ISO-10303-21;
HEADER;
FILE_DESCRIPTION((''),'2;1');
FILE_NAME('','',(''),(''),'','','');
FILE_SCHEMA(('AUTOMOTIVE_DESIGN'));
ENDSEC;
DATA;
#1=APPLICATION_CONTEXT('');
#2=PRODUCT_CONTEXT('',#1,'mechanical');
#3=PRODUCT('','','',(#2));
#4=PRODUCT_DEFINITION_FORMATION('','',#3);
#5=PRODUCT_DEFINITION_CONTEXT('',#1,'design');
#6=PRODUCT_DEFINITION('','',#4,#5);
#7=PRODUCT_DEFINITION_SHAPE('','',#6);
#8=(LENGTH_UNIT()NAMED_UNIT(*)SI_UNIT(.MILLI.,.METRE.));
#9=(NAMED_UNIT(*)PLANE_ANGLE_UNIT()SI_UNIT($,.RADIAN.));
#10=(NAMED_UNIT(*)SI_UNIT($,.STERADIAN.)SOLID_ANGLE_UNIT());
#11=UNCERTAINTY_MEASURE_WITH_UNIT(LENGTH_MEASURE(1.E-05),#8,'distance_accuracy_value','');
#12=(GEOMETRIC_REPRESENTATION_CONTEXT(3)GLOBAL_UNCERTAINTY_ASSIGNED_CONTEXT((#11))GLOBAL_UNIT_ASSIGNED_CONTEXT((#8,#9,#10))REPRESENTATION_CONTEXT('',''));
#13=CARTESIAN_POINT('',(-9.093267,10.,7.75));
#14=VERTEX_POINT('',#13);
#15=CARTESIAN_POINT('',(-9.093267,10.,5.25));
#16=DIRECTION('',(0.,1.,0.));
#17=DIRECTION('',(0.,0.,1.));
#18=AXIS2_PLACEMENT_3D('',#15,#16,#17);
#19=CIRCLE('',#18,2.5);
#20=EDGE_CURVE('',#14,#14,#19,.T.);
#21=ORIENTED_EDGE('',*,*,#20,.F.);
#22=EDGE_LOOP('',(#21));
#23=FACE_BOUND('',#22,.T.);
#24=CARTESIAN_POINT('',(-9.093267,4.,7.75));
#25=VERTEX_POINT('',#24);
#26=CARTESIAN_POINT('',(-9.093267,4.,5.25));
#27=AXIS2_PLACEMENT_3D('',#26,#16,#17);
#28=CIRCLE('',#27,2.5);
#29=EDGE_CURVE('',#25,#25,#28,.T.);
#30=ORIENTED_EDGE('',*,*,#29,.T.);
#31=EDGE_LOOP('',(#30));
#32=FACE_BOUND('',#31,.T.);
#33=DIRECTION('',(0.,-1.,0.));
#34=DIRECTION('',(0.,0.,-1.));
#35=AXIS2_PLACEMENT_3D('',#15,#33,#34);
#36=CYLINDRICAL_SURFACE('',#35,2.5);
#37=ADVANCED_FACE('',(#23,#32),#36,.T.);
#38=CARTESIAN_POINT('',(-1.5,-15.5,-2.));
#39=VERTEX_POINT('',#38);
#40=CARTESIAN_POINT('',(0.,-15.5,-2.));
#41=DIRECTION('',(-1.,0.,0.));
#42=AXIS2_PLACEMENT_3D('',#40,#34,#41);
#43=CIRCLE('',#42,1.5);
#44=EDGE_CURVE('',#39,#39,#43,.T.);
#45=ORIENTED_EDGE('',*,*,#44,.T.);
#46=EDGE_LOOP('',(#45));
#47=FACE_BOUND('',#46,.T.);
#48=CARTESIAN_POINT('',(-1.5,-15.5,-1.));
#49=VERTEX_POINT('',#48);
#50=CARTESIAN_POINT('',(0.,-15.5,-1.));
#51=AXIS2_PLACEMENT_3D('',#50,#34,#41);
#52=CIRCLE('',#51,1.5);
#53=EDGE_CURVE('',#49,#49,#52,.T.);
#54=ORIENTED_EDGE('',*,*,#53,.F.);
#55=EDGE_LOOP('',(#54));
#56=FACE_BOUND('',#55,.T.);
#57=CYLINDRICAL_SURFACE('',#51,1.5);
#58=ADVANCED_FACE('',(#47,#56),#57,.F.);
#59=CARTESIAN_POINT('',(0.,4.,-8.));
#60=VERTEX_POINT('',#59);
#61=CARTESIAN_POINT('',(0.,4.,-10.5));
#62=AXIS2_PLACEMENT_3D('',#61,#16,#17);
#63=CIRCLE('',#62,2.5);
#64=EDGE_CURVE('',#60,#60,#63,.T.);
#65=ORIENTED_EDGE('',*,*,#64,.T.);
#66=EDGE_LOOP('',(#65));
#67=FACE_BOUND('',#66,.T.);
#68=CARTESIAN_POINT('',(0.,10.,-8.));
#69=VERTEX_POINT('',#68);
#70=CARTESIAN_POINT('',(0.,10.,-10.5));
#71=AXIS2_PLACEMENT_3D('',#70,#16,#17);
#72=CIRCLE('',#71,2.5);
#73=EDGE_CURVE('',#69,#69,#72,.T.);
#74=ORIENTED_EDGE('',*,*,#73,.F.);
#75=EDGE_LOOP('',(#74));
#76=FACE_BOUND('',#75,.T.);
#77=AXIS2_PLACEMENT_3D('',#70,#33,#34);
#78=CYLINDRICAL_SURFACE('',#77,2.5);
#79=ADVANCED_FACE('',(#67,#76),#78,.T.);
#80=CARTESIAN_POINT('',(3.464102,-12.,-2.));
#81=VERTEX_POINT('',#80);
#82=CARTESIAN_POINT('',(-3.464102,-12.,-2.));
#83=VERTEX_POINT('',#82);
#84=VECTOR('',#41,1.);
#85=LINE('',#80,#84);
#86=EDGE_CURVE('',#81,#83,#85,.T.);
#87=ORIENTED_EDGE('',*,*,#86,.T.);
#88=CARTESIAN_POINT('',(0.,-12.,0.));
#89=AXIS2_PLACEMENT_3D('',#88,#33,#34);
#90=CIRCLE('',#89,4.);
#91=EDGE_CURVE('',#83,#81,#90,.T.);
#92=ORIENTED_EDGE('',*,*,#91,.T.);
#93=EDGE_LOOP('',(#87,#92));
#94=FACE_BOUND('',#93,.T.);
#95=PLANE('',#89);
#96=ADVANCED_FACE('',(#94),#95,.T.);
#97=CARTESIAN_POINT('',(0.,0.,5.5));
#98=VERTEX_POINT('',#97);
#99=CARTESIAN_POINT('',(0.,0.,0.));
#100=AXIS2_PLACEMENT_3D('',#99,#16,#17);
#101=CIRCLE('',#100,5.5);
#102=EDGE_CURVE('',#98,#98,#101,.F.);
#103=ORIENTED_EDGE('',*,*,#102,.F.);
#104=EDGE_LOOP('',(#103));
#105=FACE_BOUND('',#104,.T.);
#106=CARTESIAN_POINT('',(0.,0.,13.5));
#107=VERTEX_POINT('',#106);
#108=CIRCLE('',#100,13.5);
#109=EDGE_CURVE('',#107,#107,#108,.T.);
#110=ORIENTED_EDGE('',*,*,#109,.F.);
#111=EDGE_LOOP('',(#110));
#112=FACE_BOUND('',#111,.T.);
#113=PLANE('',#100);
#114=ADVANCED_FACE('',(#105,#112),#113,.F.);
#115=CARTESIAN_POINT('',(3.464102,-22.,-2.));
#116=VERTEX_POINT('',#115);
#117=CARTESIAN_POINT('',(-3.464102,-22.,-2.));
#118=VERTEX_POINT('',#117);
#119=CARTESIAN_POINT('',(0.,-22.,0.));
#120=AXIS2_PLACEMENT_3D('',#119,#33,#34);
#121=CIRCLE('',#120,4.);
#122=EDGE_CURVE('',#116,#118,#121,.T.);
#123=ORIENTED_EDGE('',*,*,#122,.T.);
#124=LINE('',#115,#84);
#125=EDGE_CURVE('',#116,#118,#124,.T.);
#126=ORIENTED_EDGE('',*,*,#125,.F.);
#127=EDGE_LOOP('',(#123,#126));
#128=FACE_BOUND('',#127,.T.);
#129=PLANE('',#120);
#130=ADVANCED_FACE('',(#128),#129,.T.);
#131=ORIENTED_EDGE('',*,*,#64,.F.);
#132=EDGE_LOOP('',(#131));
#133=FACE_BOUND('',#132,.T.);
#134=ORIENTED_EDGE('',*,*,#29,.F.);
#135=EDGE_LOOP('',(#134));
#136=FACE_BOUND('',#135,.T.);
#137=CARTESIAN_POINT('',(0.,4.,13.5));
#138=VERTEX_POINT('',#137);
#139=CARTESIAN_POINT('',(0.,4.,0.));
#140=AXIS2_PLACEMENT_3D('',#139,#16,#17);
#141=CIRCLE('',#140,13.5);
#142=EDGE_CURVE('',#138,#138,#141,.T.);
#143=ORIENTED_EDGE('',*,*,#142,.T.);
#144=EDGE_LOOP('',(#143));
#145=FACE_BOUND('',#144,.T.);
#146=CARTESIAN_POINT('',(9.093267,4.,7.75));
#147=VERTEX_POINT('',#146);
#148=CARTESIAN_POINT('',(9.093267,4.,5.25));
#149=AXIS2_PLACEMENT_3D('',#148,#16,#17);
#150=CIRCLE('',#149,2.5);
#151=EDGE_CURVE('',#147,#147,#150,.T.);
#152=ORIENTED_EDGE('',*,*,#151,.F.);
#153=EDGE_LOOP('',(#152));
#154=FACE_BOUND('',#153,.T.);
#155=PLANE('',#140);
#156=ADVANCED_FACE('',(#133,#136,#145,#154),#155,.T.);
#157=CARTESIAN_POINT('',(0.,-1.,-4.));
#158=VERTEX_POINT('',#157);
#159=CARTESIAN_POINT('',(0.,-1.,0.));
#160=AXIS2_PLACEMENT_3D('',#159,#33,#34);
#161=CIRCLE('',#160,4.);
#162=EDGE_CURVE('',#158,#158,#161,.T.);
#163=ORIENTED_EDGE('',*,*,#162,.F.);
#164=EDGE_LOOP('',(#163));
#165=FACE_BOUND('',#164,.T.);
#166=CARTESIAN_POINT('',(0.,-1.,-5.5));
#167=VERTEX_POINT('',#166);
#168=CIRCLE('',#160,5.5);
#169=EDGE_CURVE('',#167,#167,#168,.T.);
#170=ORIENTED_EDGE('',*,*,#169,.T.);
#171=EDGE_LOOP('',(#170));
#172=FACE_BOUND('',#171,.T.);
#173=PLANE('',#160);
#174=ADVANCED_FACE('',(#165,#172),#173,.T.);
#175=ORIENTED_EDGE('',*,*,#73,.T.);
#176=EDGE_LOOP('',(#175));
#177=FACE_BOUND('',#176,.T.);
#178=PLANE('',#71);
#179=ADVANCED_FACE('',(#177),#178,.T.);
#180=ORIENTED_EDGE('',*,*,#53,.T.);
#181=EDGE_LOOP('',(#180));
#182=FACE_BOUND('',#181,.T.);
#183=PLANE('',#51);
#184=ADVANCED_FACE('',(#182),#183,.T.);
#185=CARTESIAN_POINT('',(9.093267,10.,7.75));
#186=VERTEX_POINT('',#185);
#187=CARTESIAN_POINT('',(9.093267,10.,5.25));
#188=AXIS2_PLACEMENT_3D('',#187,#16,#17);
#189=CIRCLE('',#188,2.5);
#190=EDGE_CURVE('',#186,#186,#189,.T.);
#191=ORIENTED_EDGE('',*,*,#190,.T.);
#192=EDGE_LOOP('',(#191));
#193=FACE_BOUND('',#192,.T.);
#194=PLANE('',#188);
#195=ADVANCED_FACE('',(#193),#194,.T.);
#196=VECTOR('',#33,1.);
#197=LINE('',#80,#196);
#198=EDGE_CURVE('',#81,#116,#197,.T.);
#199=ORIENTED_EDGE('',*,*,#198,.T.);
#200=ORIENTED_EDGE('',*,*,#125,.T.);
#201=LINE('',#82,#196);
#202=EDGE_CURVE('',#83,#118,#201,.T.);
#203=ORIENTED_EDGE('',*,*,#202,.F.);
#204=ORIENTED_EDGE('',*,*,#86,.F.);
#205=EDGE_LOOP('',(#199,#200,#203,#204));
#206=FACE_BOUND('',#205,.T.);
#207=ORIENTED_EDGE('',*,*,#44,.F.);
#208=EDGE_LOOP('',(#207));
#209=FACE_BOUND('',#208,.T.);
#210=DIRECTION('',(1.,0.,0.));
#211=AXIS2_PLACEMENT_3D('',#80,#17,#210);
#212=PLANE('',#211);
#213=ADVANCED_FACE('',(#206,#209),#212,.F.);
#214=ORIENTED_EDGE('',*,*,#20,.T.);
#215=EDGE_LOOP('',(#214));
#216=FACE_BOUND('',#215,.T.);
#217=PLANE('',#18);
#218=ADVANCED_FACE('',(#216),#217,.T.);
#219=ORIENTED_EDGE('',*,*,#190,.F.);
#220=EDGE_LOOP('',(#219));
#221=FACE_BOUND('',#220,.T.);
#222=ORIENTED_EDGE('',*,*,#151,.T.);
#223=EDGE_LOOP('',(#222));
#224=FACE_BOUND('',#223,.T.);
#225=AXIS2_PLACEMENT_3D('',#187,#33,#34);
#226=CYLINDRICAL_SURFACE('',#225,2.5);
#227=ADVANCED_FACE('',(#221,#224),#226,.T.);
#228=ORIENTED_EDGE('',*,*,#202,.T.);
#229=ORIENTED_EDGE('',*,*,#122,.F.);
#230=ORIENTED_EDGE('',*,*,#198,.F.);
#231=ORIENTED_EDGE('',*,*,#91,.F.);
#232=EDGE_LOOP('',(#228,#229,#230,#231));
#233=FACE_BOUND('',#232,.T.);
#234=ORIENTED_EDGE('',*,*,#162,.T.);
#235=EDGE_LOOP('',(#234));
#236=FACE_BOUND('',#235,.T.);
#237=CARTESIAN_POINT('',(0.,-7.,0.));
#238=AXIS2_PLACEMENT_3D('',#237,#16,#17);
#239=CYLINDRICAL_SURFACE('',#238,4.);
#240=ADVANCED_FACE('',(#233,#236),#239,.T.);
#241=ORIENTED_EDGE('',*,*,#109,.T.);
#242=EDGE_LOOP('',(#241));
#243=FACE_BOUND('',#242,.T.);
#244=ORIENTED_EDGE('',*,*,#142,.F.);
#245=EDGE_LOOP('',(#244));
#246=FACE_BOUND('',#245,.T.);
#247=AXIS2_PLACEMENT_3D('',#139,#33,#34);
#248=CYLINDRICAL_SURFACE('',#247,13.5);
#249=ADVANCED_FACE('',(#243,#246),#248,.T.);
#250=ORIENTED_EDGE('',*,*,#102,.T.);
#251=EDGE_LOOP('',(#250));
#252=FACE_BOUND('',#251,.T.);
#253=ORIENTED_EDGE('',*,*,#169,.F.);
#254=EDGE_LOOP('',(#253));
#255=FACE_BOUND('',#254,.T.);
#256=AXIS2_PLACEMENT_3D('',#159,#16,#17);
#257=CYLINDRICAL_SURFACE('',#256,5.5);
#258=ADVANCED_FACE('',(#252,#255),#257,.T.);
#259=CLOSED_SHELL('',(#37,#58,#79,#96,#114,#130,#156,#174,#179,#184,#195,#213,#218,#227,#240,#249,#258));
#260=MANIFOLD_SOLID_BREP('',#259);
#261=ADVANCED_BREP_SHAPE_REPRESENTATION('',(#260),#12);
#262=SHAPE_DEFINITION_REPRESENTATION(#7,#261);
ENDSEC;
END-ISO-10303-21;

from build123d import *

# Parameters (mm, degrees)
SKETCH_1_R          = 13.5
EXTRUDE_1_DEPTH     = 4
SKETCH_2_R          = 2.5
EXTRUDE_2_DEPTH     = 6
SKETCH_3_R          = 4
EXTRUDE_3_DEPTH     = 7
SKETCH_4_R          = 5.5
EXTRUDE_4_DEPTH     = 1
SKETCH_5_R          = 4
EXTRUDE_5_DEPTH     = 15
CUT_EXTRUDE_START   = -10
CUT_EXTRUDE_1_DEPTH = 10
SKETCH_7_R          = 1.5
CUT_EXTRUDE_2_DEPTH = 1


with BuildPart() as part:
    # 草图1 → 凸台-拉伸1 (new body)
    with BuildSketch(Plane(origin=(0, 0, 0), x_dir=(1, 0, 0), z_dir=(0, 1, 0))):
        with Locations(Location((0, 0, 0), (0, 0, 270))):
            Circle(SKETCH_1_R)
    extrude(amount=EXTRUDE_1_DEPTH)

    # 草图2 → 凸台-拉伸2 (add)
    with BuildSketch(Plane(origin=(0, 4, 0), x_dir=(1, 0, 0), z_dir=(0, 1, 0))):
        with Locations(Location((0, 10.5, 0), (0, 0, 270))):
            Circle(SKETCH_2_R)
        with Locations(Location((9.09326674, -5.25, 0), (0, 0, 270))):
            Circle(SKETCH_2_R)
        with Locations(Location((-9.09326674, -5.25, 0), (0, 0, 270))):
            Circle(SKETCH_2_R)
    extrude(amount=EXTRUDE_2_DEPTH)

    # 草图3 → 凸台-拉伸3 (add)
    with BuildSketch(Plane.XZ):
        with Locations(Location((0, 0, 0), (0, 0, 270))):
            Circle(SKETCH_3_R)
    extrude(amount=EXTRUDE_3_DEPTH)

    # 草图4 → 凸台-拉伸4 (add)
    with BuildSketch(Plane.XZ):
        with Locations(Location((0, 0, 0), (0, 0, 90))):
            Circle(SKETCH_4_R)
    extrude(amount=EXTRUDE_4_DEPTH)

    # 草图5 → 凸台-拉伸5 (add)
    with BuildSketch(Plane.XZ.offset(7)):
        with Locations(Location((0, 0, 0), (0, 0, 270))):
            Circle(SKETCH_5_R)
    extrude(amount=EXTRUDE_5_DEPTH)

    # 草图6 → 切除-拉伸1 (cut)
    with BuildSketch(Plane.XZ.offset(22).offset(CUT_EXTRUDE_START)):
        with BuildLine():
            Line((3.464101615, -2), (-3.464101615, -2))
            ThreePointArc((-3.464101615, -2), (0, -4), (3.464101615, -2))
        make_face()
    extrude(amount=CUT_EXTRUDE_1_DEPTH, mode=Mode.SUBTRACT)

    # 草图7 → 切除-拉伸2 (cut)
    with BuildSketch(Plane(origin=(0, 0, -2), x_dir=(-1, 0, 0), z_dir=(0, 0, -1))):
        with Locations((0, -15.5)):
            Circle(SKETCH_7_R)
    extrude(amount=-CUT_EXTRUDE_2_DEPTH, mode=Mode.SUBTRACT)


solid = part.part
